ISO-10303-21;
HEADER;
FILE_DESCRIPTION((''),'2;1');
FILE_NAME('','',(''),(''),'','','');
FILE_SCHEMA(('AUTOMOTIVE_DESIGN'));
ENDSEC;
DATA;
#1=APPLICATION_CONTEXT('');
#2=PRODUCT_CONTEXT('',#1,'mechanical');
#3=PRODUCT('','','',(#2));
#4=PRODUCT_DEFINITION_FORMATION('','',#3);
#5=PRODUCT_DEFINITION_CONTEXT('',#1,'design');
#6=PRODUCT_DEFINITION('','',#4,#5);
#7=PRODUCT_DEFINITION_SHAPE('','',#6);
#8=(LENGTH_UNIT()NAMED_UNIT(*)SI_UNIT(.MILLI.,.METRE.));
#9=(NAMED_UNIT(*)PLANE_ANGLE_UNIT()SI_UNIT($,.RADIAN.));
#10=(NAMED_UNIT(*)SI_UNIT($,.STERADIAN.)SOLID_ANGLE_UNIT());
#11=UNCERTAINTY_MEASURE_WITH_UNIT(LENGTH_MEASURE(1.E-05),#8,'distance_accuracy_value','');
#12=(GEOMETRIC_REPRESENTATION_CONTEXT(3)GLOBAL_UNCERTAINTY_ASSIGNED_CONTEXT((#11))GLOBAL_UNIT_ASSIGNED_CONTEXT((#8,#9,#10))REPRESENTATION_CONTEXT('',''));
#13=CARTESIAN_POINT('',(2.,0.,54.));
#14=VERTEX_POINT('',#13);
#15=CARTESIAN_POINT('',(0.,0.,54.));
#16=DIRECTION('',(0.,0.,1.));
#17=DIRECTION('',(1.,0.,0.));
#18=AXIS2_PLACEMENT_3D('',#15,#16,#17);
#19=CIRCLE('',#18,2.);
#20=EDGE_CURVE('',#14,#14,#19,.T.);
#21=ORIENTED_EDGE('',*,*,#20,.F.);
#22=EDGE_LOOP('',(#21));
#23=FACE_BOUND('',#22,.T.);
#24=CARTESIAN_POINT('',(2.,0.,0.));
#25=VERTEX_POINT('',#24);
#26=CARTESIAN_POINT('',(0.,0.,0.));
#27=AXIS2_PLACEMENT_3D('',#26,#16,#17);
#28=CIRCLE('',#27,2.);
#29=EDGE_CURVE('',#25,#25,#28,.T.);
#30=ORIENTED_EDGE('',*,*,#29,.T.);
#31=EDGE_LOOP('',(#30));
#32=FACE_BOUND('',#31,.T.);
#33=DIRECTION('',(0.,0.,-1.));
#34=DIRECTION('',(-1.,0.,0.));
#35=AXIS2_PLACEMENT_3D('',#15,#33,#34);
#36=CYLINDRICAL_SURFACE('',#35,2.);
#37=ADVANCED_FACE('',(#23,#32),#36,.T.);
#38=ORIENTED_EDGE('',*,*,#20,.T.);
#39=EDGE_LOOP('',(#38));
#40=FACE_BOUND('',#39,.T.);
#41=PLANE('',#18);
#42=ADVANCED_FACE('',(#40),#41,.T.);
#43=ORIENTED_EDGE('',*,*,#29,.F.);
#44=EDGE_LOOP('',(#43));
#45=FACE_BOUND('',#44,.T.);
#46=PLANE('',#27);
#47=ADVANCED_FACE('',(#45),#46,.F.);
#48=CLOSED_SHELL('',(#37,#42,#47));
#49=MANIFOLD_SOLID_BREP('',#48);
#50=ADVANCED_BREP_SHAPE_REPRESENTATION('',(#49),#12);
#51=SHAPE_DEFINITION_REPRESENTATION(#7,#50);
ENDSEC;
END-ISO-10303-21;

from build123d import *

# Parameters (mm, degrees)
SKETCH1_R           = 2
BOSS_EXTRUDE1_DEPTH = 54


with BuildPart() as part:
    # Sketch1 → Boss-Extrude1 (new body)
    with BuildSketch(Plane.XY):
        Circle(SKETCH1_R)
    extrude(amount=BOSS_EXTRUDE1_DEPTH)


solid = part.part
